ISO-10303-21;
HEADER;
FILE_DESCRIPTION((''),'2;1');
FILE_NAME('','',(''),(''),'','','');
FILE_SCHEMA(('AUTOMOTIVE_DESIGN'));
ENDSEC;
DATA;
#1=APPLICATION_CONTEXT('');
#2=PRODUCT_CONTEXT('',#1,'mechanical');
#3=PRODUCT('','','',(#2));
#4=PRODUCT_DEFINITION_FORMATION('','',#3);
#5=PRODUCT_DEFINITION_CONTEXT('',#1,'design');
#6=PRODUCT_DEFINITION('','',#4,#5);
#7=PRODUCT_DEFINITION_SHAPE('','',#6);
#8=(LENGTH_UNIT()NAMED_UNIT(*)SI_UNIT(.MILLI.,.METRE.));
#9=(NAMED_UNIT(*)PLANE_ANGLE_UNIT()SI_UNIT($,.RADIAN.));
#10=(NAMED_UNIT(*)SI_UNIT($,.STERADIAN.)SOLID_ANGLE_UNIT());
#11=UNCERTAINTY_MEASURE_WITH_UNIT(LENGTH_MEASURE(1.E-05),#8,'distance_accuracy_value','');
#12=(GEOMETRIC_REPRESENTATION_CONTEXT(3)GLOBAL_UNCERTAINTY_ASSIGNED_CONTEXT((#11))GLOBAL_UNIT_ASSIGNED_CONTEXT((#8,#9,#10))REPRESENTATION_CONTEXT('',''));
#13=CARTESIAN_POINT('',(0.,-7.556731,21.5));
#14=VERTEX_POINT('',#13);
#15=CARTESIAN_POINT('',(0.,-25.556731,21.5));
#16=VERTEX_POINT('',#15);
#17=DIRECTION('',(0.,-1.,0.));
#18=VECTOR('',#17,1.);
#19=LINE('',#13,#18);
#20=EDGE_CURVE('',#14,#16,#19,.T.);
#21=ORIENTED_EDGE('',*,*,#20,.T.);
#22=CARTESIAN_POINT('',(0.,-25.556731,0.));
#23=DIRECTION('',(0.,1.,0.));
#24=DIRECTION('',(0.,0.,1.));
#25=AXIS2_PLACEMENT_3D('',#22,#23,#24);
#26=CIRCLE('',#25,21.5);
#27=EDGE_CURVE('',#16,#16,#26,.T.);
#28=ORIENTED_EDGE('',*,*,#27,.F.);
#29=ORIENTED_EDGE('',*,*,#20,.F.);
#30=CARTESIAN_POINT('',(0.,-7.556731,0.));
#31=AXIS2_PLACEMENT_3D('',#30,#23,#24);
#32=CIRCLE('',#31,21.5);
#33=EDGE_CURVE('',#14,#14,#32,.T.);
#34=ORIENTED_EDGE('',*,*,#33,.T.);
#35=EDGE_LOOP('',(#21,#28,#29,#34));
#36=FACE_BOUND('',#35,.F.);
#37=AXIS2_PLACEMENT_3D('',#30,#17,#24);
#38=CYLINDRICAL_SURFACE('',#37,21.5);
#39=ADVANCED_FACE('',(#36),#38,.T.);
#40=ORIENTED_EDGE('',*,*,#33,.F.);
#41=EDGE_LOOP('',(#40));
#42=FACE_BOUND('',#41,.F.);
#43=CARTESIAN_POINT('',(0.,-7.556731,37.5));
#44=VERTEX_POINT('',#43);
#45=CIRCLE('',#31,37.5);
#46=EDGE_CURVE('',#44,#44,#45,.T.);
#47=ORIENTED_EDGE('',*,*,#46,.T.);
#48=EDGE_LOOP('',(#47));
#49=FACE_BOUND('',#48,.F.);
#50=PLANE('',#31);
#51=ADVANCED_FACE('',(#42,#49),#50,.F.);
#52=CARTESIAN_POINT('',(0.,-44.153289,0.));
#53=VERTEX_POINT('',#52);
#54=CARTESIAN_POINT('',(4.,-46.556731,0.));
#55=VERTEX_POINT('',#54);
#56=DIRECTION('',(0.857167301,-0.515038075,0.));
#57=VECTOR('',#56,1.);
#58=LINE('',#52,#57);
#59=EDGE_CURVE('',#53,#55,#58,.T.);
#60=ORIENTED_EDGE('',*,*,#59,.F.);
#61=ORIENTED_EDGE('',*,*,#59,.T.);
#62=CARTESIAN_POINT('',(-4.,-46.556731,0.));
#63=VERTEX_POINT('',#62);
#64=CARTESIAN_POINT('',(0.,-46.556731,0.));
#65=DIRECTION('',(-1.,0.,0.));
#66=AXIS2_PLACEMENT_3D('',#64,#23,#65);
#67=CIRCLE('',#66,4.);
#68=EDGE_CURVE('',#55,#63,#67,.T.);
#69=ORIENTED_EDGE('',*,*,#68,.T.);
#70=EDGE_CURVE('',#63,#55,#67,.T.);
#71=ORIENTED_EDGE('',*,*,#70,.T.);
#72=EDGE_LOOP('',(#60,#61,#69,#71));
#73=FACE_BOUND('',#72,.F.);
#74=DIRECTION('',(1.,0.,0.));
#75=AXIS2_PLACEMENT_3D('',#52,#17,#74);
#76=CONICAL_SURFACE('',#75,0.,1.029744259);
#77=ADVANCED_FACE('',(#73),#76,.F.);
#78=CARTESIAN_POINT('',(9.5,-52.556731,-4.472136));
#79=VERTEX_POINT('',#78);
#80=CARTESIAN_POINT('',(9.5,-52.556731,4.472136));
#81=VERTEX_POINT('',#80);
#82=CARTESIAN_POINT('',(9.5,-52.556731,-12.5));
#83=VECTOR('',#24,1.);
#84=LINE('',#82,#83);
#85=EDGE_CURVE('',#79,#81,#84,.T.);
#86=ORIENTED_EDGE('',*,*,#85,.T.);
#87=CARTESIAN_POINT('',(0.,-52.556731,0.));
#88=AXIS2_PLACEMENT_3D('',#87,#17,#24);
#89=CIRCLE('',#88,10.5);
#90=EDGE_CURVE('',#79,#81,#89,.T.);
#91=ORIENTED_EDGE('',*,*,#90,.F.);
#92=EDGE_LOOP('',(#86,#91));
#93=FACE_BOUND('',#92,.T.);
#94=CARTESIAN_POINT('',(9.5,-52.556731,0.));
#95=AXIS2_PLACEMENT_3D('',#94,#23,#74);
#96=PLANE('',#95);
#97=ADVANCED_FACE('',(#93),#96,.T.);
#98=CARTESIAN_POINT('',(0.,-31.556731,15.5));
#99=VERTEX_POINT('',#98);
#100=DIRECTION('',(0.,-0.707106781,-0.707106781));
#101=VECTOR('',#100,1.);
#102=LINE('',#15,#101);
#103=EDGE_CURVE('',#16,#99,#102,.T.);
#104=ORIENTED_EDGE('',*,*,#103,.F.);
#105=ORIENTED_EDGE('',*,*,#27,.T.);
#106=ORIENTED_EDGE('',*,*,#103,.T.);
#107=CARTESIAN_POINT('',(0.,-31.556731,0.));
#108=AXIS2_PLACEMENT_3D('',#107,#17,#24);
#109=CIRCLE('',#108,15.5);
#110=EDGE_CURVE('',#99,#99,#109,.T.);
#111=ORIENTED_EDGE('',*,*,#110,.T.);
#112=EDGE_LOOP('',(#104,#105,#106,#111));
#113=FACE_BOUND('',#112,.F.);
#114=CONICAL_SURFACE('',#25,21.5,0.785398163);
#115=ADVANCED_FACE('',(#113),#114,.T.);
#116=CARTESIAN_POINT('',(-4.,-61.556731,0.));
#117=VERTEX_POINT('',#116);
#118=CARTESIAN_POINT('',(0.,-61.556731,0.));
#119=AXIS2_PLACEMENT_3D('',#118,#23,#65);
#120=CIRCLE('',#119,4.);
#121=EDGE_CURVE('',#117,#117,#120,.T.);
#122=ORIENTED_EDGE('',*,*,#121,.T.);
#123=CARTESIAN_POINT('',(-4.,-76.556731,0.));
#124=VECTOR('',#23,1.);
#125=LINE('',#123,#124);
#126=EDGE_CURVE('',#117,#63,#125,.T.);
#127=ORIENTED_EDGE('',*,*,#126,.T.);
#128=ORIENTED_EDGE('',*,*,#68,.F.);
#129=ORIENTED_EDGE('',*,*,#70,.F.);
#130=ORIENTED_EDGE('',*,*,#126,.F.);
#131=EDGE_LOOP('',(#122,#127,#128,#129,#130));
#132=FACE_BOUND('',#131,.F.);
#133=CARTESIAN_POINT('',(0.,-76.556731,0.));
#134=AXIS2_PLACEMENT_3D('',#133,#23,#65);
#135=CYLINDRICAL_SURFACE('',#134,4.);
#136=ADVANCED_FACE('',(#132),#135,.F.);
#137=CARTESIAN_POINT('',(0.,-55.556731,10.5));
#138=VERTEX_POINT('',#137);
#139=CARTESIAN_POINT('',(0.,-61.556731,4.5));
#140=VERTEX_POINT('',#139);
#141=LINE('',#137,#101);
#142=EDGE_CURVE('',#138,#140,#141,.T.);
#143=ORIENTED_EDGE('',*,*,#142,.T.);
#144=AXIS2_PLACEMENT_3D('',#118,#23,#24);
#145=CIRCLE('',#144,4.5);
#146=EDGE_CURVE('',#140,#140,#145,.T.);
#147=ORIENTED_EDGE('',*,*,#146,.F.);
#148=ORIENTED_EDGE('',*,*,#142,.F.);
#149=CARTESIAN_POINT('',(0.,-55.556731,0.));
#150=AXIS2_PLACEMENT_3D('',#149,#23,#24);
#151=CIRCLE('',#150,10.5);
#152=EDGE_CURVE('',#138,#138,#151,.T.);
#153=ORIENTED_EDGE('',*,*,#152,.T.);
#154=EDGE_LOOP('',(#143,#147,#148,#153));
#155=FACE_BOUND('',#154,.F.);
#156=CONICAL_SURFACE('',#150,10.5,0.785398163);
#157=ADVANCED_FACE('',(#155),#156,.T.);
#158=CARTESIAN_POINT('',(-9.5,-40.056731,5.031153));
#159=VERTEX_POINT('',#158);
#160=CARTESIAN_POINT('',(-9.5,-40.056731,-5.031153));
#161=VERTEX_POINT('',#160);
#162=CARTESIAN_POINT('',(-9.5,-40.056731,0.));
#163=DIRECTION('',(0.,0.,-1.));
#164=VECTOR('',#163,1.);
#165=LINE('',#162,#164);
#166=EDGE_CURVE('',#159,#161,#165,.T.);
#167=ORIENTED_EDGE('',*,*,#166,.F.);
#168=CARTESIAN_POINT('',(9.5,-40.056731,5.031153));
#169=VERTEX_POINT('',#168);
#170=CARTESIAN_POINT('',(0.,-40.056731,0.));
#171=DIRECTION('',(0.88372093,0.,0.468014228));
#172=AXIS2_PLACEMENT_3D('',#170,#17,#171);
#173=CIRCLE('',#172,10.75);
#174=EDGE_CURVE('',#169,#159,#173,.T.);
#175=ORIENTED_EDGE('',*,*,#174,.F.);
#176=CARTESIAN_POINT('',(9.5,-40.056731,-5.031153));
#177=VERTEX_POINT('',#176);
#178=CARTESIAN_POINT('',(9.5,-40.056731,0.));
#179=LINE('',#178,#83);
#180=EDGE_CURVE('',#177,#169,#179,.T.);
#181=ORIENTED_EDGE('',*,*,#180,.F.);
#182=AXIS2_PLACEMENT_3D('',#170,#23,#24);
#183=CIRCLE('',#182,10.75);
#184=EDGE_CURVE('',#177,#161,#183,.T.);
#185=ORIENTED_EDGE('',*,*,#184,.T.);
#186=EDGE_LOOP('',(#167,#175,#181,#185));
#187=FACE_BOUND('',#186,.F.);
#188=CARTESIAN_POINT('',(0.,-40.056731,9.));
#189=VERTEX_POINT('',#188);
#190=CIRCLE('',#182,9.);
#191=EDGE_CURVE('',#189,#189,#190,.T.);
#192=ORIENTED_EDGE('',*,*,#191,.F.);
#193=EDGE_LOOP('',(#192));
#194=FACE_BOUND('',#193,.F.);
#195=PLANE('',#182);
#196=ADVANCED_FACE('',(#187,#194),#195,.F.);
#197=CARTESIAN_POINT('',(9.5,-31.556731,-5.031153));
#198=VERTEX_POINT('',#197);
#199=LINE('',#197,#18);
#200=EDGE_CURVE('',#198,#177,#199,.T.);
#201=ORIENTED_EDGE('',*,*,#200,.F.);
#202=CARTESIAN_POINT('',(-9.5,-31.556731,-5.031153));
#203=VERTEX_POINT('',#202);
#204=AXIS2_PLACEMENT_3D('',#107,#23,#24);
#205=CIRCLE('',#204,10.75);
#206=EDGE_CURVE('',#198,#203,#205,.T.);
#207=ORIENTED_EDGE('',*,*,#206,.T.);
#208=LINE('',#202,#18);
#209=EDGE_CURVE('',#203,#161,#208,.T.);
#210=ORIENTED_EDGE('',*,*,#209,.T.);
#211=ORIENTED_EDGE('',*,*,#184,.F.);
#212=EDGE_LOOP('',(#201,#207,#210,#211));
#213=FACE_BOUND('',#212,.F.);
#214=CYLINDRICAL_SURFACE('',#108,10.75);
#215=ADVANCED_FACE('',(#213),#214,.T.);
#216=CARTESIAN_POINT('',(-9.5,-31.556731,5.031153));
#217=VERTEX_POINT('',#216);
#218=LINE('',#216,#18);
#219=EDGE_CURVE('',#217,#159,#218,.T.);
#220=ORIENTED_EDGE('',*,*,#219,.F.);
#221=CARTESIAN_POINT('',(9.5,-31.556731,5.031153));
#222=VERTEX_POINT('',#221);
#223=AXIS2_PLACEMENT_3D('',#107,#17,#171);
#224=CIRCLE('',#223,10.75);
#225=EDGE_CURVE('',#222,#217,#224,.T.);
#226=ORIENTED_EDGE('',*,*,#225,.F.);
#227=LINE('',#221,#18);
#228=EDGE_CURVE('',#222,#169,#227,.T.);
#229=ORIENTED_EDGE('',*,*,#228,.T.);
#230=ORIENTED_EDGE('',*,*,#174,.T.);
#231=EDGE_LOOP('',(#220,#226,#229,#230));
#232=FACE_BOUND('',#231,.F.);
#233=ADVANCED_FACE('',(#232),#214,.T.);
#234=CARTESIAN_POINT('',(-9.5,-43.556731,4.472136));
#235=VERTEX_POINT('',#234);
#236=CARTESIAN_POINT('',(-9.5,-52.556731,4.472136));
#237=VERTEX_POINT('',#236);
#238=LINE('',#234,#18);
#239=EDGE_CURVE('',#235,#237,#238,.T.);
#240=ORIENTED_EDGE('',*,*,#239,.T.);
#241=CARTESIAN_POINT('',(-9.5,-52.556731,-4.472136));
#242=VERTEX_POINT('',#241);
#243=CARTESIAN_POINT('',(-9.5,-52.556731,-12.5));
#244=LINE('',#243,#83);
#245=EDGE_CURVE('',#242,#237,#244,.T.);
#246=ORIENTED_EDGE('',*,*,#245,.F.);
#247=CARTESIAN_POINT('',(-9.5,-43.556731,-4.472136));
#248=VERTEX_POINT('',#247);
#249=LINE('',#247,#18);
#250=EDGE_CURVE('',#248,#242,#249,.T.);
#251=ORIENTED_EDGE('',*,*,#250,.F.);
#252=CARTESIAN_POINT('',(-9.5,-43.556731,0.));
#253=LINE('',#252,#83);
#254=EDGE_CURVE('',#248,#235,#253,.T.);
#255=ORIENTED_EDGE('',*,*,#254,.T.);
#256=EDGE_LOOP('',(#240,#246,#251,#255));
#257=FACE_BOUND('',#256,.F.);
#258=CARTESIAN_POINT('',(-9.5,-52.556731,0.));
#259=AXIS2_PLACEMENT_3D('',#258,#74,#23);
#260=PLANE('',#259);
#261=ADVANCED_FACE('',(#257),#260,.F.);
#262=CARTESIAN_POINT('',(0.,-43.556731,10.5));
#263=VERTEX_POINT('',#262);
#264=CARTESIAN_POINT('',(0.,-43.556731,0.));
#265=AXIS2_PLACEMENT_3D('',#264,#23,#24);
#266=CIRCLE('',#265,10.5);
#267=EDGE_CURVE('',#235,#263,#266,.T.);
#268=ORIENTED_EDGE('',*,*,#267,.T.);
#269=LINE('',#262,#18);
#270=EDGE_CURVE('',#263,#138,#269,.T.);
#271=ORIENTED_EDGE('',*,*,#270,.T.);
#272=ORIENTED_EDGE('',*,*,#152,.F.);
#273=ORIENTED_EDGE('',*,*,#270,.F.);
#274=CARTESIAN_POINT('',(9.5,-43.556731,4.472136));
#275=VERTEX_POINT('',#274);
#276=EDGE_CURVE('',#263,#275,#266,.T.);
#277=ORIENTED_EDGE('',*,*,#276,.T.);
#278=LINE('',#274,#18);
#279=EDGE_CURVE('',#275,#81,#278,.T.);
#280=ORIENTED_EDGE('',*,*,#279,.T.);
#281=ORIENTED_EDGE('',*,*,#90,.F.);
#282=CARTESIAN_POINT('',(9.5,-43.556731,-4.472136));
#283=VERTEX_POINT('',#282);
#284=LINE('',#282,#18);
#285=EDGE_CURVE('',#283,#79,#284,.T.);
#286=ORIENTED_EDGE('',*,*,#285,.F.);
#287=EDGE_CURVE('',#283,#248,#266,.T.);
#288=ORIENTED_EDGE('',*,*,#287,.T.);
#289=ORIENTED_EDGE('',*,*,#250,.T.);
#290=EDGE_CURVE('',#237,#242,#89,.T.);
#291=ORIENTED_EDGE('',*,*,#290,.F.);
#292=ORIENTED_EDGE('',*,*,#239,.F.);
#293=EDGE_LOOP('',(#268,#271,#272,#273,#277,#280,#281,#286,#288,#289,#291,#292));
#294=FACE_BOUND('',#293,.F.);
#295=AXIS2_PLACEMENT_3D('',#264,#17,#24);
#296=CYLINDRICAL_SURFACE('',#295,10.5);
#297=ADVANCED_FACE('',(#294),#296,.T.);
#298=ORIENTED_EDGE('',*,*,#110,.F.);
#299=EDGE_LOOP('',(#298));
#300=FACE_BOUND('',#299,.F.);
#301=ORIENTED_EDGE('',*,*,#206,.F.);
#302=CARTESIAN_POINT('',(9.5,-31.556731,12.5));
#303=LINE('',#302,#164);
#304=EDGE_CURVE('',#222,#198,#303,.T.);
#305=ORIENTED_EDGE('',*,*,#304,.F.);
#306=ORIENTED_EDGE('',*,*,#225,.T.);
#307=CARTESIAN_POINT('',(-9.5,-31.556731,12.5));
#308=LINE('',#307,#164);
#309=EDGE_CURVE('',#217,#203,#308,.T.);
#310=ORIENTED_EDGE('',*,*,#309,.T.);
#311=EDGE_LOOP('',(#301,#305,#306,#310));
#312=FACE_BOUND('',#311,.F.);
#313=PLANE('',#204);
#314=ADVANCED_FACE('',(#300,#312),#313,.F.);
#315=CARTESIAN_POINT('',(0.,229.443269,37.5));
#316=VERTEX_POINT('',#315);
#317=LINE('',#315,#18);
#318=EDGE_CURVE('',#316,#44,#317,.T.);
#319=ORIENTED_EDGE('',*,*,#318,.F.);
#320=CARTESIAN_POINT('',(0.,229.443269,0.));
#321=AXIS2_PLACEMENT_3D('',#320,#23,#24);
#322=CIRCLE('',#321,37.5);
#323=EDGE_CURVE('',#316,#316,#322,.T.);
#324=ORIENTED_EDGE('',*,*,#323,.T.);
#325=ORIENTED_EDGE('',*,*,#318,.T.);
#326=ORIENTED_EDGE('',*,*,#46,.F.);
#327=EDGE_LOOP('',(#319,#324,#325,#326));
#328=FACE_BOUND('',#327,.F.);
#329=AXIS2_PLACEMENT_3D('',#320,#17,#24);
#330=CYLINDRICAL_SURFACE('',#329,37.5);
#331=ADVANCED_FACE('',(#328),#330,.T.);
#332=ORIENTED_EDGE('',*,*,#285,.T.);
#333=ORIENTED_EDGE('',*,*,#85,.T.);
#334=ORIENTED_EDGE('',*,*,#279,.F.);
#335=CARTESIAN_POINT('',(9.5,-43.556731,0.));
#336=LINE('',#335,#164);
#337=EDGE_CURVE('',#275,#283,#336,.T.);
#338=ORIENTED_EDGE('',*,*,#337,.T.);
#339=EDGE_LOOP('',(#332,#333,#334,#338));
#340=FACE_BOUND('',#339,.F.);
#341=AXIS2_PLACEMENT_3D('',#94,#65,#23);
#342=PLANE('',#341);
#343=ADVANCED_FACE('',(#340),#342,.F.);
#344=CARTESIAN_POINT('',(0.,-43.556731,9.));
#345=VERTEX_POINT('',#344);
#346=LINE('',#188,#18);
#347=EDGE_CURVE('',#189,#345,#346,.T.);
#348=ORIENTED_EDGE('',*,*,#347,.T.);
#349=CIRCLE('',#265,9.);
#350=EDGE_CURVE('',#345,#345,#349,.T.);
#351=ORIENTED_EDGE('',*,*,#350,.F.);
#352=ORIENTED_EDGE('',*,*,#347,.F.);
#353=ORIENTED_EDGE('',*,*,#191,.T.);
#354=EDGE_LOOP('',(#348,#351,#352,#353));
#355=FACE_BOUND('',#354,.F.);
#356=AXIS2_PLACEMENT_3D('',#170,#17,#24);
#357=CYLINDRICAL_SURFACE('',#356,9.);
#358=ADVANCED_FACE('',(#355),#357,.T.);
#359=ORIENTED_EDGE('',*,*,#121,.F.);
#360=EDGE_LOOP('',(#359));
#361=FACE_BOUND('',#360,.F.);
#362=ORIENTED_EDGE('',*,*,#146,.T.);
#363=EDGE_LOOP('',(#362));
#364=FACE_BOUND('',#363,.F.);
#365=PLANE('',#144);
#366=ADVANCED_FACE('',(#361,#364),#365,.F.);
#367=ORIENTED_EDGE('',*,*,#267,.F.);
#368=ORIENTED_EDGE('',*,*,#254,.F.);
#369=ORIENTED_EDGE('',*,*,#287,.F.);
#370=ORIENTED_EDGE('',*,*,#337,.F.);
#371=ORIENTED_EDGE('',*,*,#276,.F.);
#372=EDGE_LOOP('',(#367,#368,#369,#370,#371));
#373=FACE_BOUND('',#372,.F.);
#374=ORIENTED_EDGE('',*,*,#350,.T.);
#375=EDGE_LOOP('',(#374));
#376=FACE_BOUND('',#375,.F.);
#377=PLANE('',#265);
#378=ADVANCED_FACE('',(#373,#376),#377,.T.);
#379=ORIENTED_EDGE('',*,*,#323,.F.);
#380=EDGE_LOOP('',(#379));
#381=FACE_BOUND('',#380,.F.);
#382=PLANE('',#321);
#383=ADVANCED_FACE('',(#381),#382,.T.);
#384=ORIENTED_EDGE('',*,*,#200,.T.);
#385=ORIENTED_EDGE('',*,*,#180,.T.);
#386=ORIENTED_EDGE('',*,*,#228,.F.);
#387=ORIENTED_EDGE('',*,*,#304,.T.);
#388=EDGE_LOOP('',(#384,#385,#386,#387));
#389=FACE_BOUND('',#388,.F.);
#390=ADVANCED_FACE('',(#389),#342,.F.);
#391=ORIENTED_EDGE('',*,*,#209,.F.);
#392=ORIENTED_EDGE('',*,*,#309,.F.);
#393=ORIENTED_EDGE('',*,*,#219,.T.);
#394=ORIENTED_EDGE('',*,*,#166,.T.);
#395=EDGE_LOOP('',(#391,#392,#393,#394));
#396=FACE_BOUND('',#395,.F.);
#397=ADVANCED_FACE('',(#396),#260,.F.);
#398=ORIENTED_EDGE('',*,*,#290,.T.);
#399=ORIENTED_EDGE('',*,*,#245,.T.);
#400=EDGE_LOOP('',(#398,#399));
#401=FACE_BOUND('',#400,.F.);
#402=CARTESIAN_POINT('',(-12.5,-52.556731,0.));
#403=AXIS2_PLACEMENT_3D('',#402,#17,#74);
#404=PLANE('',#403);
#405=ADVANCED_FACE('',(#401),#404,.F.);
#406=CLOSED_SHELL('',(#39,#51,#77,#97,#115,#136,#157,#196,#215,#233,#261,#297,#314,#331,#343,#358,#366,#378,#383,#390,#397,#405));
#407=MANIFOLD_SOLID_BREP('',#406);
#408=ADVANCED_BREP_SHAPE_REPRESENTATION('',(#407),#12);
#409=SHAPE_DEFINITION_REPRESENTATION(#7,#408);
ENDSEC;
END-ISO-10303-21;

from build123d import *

# Parameters (mm, degrees)
F3_D     = 8
F3_DEPTH = 15
F3_TIP   = 2.4034424761
F4_W     = 3
F4_H     = 21
F5_DEPTH = 12.5


with BuildPart() as f1:
    # F0 (on Right) → F1 (revolve)
    with BuildSketch(Plane.YZ):
        Polygon((-61.5567314936, 4.5), (-61.5567314936, 0), (229.4432685064, 0), (229.4432685064, 37.5), (-7.5567314936, 37.5), (-7.5567314936, 21.5), (-25.5567314936, 21.5), (-31.5567314936, 15.5), (-31.5567314936, 10.75), (-40.0567314936, 10.75), (-40.0567314936, 9), (-43.5567314936, 9), (-43.5567314936, 10.5), (-55.5567314936, 10.5), align=None)
    revolve(axis=Axis((0, 83.9432685064, 0), (0, 1, 0)))

    # F3
    with Locations(Plane.XZ.offset(61.5567314936)):
        with Locations((0, 0)):
            Hole(F3_D / 2, depth=F3_DEPTH)
            with Locations((0, 0, -(F3_DEPTH + F3_TIP / 2))):  # 118° drill point
                Cone(0, F3_D / 2, F3_TIP, mode=Mode.SUBTRACT)

    # F4 (on Top) → F5 (cut, symmetric)
    with BuildSketch(Plane.XY):
        with Locations((11, -42.0567314936)):
            Rectangle(F4_W, F4_H)
        with Locations((-11, -42.0567314936)):
            Rectangle(F4_W, F4_H)
    extrude(amount=F5_DEPTH, both=True, mode=Mode.SUBTRACT)


solid = f1.part
